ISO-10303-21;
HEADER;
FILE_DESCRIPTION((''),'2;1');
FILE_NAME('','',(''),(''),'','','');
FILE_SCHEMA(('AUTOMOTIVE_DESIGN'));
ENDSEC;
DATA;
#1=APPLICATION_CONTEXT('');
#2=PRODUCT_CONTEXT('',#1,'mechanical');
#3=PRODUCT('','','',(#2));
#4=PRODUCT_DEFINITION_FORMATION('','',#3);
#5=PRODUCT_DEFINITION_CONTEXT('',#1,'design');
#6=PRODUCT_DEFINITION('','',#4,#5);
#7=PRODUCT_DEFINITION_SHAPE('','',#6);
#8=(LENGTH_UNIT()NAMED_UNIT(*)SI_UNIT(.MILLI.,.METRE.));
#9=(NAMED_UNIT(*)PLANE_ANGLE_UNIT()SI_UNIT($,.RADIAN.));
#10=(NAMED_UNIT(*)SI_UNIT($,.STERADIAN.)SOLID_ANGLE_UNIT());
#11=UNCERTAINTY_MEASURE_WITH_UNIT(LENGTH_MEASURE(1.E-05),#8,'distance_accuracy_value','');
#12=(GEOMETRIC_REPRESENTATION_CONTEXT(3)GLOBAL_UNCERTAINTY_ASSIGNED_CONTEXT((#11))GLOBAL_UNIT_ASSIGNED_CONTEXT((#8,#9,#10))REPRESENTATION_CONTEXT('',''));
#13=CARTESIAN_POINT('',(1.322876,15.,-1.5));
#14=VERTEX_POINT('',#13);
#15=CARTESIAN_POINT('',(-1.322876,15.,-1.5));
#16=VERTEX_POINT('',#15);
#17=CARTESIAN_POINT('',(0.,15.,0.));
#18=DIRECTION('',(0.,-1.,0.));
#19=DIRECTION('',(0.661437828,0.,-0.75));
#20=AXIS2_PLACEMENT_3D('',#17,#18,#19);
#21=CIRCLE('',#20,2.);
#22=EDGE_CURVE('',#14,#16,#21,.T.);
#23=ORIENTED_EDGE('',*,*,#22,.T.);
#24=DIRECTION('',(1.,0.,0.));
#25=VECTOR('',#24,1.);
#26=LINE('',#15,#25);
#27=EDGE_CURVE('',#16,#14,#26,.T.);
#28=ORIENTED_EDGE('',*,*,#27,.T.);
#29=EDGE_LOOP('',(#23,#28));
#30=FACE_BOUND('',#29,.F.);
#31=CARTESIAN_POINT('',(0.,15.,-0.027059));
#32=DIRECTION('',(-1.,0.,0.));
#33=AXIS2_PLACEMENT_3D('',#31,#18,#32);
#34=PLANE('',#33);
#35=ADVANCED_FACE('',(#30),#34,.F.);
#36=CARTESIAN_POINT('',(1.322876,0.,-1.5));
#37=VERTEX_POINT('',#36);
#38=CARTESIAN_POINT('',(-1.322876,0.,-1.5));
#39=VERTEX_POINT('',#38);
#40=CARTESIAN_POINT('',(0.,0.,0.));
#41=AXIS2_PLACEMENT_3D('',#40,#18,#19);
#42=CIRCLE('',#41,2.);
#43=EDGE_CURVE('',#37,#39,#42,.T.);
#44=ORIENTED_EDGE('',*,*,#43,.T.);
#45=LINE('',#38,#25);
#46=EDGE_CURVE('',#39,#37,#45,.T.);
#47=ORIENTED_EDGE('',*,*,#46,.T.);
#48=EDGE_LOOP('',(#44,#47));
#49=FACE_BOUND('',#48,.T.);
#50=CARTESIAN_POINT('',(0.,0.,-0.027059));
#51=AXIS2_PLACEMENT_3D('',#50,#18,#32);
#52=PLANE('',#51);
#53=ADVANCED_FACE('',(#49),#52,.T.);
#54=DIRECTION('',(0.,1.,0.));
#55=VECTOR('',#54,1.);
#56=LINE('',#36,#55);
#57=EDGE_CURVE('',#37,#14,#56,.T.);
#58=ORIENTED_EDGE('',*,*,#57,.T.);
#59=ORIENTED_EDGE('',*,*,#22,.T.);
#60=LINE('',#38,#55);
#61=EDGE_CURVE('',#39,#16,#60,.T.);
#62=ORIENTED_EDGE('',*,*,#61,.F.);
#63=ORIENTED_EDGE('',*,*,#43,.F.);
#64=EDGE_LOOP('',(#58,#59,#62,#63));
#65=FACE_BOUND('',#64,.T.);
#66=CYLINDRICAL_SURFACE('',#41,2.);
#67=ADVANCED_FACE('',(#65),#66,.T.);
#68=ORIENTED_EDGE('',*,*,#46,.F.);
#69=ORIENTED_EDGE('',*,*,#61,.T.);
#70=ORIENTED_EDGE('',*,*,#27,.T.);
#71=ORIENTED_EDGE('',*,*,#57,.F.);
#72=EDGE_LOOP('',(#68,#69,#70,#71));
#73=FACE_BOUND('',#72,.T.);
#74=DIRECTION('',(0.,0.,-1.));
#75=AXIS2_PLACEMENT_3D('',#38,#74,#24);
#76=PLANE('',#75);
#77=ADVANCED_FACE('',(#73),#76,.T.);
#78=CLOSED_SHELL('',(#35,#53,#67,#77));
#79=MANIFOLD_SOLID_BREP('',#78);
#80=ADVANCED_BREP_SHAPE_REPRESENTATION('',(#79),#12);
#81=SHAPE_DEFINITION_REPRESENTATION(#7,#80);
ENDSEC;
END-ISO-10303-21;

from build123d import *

# Parameters (mm, degrees)
BOSS_EXTRUDE1_DEPTH = 15


with BuildPart() as part:
    # Sketch1 → Boss-Extrude1 (new body)
    with BuildSketch(Plane(origin=(0, 0, 0), x_dir=(1, 0, 0), z_dir=(0, 1, 0))):
        with BuildLine():
            Line((-1.322875656, 1.5), (1.322875656, 1.5))
            ThreePointArc((1.322875656, 1.5), (0, -2), (-1.322875656, 1.5))
        make_face()
    extrude(amount=BOSS_EXTRUDE1_DEPTH)


solid = part.part
